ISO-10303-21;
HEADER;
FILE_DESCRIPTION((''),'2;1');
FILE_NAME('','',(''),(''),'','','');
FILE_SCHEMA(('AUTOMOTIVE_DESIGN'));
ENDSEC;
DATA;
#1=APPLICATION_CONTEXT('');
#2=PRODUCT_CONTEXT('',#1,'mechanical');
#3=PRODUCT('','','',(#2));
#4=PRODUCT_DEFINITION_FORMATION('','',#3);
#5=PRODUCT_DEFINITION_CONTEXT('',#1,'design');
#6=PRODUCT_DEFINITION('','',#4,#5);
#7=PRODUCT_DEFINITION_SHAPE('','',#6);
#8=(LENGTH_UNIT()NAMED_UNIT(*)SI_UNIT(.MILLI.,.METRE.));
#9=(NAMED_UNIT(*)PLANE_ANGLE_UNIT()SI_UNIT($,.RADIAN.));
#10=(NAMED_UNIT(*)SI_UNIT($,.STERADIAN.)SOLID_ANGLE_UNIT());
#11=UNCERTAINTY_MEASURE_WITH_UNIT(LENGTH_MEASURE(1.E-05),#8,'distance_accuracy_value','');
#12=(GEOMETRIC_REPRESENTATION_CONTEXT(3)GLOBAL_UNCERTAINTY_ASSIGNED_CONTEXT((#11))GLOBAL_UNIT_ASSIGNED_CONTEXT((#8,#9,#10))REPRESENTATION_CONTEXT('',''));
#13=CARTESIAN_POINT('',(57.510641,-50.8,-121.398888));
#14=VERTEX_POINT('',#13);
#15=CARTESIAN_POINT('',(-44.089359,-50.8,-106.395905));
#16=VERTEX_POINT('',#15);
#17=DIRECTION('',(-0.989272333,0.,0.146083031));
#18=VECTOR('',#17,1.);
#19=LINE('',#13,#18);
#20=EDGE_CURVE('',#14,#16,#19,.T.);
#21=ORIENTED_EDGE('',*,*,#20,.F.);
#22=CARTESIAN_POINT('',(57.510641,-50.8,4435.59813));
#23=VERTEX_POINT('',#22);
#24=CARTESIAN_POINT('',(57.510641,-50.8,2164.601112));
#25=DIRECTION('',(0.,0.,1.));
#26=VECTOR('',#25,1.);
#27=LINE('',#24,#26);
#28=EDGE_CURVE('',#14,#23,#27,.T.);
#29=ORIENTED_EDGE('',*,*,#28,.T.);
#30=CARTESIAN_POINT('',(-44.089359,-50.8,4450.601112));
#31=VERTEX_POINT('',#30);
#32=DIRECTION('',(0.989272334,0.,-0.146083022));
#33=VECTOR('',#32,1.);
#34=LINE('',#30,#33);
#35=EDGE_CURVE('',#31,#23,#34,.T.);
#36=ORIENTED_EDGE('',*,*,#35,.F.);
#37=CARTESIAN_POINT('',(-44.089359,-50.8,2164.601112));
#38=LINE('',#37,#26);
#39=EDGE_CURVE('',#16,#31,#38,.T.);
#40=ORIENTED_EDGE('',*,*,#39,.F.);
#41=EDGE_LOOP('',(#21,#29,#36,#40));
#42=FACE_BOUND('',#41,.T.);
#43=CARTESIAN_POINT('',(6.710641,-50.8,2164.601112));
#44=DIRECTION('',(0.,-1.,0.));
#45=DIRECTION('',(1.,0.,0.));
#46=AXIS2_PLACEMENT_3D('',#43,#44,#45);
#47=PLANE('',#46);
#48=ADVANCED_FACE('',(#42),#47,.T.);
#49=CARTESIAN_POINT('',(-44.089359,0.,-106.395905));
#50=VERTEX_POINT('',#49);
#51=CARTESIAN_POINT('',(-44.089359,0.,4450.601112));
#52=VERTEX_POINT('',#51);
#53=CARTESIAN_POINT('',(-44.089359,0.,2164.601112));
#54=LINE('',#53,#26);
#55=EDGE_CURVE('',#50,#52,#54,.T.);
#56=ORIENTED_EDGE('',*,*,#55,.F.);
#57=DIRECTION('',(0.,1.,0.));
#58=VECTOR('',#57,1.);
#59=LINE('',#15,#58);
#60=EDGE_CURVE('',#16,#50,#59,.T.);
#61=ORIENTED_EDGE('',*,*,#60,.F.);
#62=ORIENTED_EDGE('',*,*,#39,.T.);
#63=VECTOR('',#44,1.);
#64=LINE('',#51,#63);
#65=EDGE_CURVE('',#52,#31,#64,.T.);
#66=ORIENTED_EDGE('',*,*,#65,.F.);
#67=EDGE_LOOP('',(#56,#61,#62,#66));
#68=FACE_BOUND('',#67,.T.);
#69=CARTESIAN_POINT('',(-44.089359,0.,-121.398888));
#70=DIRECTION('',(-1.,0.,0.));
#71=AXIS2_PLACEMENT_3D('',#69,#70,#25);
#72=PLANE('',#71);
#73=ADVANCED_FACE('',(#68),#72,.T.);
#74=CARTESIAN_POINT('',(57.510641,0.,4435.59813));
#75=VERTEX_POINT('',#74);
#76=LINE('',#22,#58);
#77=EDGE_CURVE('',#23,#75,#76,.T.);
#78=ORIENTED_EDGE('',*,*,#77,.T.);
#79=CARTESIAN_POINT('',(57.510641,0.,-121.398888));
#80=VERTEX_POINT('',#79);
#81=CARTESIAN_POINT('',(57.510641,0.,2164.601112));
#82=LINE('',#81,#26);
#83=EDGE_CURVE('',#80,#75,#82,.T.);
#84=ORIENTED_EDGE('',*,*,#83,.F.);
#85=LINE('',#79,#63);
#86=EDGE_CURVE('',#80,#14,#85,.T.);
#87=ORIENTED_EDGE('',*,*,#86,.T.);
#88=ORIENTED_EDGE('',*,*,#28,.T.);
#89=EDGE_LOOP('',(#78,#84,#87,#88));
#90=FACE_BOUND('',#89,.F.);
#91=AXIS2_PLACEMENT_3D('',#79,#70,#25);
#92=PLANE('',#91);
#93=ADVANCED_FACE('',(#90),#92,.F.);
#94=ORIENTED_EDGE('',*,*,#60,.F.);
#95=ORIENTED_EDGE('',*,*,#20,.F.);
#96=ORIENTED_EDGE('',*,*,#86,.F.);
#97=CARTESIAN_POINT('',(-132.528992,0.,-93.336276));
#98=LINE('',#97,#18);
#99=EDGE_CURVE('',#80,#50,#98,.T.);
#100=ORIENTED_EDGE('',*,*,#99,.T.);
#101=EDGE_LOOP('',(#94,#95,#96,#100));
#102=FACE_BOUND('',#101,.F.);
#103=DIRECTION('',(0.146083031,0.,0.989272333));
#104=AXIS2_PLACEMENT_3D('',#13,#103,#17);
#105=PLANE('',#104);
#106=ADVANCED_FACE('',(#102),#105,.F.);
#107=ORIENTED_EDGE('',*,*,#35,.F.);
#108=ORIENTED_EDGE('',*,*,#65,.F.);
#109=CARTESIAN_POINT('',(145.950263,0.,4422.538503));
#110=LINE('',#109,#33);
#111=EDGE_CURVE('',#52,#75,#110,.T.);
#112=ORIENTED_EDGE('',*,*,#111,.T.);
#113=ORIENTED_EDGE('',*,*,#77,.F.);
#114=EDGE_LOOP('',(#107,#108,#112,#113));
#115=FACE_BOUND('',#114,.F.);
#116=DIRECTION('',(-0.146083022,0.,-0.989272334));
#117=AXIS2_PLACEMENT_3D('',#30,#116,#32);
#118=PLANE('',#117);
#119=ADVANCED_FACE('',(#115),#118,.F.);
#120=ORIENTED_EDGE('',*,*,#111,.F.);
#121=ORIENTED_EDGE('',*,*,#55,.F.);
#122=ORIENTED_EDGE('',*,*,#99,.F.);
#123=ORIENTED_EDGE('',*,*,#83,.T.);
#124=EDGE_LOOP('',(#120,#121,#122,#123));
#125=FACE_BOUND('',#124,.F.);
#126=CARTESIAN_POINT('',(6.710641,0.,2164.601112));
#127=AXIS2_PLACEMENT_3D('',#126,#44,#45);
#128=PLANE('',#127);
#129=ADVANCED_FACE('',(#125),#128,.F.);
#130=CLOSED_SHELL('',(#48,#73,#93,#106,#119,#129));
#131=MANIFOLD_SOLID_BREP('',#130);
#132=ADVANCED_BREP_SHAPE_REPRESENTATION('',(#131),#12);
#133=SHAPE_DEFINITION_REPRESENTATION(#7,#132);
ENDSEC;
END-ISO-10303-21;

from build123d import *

# Parameters (mm, degrees)
F0_W     = 101.6
F0_H     = 4572
F1_DEPTH = 50.8
F3_DEPTH = 123.698


with BuildPart() as f1:
    # F0 (on Front) → F1 (new body)
    with BuildSketch(Plane.XZ):
        with Locations((6.710641, 2164.601112)):
            Rectangle(F0_W, F0_H)
    extrude(amount=F1_DEPTH)

    # F2 (on face) → F3 (cut)
    with BuildSketch(Plane.XZ.offset(50.8)):
        Polygon((57.510641, 4450.601112), (-44.089359, 4450.601112), (57.510641, 4435.59813), align=None)
        Polygon((-44.089359, -121.398888), (57.510641, -121.398888), (-44.089359, -106.395905), align=None)
    extrude(amount=-F3_DEPTH, mode=Mode.SUBTRACT)


solid = f1.part
